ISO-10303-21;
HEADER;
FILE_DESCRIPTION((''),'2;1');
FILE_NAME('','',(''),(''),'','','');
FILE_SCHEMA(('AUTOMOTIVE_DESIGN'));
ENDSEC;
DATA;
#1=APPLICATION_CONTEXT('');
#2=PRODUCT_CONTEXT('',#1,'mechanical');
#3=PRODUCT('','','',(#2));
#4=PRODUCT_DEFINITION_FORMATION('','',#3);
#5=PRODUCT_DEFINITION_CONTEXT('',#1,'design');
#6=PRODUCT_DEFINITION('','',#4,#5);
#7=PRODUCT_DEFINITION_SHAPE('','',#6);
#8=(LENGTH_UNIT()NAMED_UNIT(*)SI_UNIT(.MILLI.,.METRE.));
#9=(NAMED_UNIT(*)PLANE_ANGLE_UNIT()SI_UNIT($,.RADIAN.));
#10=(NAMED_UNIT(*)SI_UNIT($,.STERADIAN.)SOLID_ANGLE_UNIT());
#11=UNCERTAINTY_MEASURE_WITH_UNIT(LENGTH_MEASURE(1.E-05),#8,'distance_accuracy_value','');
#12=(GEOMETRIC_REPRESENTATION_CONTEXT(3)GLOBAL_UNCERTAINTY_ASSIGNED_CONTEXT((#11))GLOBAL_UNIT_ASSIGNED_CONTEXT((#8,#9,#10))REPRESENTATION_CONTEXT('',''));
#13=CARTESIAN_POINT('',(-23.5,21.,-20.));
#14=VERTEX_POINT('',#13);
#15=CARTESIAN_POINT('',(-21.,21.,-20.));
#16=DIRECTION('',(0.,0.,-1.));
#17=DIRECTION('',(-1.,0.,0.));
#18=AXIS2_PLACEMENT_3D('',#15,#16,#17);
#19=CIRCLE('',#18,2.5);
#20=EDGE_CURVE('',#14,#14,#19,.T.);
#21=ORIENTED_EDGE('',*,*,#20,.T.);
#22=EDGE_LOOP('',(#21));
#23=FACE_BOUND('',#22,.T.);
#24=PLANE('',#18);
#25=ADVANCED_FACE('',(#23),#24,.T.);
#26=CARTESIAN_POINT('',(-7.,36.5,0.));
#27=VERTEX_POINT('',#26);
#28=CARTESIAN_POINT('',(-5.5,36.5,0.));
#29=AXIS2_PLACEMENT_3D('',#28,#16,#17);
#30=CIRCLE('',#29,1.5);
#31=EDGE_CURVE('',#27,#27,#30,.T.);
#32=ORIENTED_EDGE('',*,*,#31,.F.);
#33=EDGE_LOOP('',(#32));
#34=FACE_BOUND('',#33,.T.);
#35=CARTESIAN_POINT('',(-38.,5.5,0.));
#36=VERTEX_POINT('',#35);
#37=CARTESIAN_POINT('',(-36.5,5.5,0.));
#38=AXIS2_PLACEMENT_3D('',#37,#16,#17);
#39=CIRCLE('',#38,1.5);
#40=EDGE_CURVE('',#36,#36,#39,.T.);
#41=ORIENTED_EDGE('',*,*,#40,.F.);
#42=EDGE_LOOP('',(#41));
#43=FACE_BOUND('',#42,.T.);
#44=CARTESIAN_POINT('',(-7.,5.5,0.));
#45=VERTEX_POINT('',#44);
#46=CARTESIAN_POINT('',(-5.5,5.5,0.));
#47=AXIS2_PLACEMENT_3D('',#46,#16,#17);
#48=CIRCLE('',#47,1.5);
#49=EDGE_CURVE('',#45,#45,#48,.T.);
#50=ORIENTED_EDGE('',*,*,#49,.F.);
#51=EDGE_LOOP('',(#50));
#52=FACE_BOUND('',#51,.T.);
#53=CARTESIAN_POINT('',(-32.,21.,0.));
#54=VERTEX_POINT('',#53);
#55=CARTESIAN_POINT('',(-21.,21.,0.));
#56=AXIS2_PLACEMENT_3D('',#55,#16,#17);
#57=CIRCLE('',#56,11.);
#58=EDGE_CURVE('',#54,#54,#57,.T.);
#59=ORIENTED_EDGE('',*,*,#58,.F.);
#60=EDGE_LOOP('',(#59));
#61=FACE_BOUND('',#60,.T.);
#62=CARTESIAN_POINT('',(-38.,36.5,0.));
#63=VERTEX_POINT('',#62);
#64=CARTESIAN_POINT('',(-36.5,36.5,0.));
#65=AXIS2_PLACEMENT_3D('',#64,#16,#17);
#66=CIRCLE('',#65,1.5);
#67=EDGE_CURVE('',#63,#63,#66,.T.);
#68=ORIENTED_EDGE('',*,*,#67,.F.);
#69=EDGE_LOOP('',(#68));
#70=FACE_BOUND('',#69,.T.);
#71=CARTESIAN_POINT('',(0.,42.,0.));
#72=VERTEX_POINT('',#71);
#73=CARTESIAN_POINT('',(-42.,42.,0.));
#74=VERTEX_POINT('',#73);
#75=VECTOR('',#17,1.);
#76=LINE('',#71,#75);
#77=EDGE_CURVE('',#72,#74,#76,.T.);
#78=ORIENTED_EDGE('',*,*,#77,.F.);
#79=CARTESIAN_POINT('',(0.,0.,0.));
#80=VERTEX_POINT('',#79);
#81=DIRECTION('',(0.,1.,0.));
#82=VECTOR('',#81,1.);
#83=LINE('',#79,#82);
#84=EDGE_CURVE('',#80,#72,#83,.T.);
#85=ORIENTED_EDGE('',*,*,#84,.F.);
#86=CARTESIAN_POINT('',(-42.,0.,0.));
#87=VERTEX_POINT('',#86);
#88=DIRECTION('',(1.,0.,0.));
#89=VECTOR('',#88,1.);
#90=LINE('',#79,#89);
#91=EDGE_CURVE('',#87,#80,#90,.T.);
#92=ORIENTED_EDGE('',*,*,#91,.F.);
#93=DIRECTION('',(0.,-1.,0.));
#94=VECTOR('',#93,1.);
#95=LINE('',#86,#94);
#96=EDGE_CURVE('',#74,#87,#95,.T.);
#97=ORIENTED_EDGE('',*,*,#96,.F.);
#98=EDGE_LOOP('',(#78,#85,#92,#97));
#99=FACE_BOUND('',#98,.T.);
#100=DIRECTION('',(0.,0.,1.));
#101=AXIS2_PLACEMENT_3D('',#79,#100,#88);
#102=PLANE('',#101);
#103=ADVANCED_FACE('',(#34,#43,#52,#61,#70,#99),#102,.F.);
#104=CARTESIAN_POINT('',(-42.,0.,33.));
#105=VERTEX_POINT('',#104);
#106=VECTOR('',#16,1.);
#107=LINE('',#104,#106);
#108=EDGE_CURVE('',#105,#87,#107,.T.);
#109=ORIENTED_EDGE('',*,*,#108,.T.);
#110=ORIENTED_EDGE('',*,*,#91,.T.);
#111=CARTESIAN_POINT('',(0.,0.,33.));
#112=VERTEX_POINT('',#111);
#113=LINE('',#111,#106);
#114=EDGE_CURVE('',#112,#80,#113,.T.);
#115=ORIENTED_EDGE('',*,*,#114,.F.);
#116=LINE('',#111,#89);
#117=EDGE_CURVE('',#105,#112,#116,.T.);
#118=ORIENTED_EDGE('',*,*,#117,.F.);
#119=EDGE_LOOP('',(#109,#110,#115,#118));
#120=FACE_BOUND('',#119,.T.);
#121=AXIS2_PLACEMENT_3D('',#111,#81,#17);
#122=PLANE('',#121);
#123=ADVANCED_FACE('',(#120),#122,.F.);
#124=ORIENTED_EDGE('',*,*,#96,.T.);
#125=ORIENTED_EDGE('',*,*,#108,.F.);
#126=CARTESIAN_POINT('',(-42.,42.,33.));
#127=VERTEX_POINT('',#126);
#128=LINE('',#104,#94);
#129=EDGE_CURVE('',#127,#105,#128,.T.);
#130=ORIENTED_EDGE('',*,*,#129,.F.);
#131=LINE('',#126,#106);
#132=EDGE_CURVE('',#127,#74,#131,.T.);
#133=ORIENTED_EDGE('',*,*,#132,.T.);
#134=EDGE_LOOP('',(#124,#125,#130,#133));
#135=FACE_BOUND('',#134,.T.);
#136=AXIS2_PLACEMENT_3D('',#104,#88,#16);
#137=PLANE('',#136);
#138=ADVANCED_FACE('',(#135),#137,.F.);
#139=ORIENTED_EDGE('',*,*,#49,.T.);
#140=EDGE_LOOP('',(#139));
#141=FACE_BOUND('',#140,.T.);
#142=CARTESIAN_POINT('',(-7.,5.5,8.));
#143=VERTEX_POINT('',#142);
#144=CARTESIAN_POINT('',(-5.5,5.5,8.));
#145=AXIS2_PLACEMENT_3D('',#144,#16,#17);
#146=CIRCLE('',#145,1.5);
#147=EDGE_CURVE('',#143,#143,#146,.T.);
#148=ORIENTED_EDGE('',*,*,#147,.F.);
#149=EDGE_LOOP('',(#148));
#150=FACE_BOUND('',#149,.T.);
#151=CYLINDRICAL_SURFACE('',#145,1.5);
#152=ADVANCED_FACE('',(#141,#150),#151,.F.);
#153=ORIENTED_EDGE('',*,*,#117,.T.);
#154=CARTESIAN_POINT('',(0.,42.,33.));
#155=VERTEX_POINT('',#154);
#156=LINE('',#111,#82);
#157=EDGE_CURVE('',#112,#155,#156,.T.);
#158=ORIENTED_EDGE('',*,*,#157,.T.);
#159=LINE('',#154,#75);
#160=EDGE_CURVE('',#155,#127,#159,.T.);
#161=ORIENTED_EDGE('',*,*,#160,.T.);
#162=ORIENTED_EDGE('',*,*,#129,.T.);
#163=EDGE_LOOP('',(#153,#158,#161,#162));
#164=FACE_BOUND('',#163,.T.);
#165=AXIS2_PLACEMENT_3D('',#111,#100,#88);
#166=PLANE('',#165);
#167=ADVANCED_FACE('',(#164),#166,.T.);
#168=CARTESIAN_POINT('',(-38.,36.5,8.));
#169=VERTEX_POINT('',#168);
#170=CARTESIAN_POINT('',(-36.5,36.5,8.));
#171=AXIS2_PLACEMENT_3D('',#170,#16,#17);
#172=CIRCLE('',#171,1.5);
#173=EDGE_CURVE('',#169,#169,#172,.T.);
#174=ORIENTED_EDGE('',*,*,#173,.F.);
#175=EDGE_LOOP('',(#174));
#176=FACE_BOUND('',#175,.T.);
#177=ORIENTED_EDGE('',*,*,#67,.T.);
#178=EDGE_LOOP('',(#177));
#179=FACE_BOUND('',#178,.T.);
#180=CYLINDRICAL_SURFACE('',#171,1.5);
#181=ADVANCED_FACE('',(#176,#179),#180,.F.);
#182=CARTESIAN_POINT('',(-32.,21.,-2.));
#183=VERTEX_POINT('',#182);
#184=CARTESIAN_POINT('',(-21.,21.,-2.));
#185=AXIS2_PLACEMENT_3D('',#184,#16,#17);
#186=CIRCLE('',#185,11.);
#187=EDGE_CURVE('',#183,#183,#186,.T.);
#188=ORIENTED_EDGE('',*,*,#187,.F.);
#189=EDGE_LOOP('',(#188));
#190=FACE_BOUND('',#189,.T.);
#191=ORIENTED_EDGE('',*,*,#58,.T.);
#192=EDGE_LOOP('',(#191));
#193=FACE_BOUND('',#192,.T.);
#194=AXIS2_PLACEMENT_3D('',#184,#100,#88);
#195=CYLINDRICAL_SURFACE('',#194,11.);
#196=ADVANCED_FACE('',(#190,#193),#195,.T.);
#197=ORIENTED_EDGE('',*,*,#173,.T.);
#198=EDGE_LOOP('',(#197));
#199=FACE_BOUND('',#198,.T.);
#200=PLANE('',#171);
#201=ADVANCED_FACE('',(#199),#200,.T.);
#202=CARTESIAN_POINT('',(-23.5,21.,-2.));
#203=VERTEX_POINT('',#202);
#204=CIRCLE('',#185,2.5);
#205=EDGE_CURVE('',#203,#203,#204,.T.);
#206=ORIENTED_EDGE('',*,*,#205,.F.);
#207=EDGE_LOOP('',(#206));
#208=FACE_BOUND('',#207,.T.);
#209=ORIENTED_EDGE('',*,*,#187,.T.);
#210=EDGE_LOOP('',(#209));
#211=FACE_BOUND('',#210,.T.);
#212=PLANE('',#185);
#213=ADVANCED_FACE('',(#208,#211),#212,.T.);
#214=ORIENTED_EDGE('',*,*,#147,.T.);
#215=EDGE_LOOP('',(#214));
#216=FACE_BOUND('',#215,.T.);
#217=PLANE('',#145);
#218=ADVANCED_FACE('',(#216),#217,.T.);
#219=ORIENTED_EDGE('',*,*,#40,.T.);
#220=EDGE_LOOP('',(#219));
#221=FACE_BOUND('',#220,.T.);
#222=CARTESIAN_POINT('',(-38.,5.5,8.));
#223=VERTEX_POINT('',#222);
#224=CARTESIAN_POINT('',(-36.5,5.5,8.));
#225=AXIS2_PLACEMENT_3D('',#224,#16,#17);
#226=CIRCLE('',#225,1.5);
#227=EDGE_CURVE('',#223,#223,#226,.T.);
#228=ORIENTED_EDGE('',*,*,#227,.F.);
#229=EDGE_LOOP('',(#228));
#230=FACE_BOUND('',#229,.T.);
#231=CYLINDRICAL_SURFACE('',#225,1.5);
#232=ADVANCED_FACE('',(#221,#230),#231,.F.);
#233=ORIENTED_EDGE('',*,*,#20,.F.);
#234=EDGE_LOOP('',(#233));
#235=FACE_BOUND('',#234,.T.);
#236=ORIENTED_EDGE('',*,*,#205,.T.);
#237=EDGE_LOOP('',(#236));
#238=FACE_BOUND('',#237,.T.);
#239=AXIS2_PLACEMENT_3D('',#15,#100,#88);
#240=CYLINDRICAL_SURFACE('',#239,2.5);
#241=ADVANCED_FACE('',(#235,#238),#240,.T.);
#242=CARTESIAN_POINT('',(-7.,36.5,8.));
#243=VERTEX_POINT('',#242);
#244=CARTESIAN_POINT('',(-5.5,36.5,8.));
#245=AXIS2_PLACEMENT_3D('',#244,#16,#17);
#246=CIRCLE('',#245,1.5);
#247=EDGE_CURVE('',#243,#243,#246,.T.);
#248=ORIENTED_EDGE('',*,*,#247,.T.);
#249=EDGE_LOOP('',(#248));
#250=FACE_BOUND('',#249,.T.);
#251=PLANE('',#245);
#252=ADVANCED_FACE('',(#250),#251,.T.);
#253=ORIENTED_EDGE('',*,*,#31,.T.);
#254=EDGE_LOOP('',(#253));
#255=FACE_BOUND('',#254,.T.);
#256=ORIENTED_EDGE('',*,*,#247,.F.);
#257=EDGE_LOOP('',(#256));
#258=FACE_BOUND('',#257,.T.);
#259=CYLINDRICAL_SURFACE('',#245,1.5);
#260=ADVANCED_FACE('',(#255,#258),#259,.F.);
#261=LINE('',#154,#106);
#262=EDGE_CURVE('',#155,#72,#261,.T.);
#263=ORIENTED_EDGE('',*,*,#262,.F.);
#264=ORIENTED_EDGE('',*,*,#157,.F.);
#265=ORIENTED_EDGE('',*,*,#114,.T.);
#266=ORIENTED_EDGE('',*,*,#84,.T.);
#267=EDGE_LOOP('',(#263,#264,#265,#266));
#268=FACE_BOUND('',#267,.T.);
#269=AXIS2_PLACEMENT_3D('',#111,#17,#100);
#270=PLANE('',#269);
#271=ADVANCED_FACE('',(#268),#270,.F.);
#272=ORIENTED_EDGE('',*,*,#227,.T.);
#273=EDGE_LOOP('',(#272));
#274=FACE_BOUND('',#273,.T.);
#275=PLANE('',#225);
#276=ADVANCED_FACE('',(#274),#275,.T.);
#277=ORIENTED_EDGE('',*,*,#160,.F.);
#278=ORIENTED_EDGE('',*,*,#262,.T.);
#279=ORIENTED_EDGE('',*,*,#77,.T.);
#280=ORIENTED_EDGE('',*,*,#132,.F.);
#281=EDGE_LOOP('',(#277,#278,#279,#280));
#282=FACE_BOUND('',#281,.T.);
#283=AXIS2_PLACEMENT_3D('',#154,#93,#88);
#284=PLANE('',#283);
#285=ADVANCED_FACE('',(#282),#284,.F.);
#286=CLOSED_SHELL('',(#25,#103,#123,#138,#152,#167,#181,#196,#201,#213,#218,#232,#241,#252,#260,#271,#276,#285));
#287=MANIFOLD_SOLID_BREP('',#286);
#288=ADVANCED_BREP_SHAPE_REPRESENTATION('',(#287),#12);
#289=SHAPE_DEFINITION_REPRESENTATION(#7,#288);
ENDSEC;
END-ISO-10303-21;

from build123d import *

# Parameters (mm, degrees)
SKETCH_1_W          = 42
SKETCH_1_H          = 42
EXTRUDE_1_DEPTH     = 33
SKETCH_3_R          = 11
EXTRUDE_2_DEPTH     = 2
SKETCH_4_R          = 2.5
EXTRUDE_3_DEPTH     = 18
SKETCH_5_R          = 1.5
CUT_EXTRUDE_1_DEPTH = 8


with BuildPart() as part:
    # 草图1 → 凸台-拉伸1 (new body)
    with BuildSketch(Plane.XY):
        with Locations((-21, 21)):
            Rectangle(SKETCH_1_W, SKETCH_1_H)
    extrude(amount=EXTRUDE_1_DEPTH)

    # 草图3 → 凸台-拉伸2 (add)
    with BuildSketch(Plane(origin=(0, 0, 0), x_dir=(-1, 0, 0), z_dir=(0, 0, -1))):
        with Locations((21, 21)):
            Circle(SKETCH_3_R)
    extrude(amount=EXTRUDE_2_DEPTH)

    # 草图4 → 凸台-拉伸3 (add)
    with BuildSketch(Plane(origin=(0, 0, -2), x_dir=(-1, 0, 0), z_dir=(0, 0, -1))):
        with Locations((21, 21)):
            Circle(SKETCH_4_R)
    extrude(amount=EXTRUDE_3_DEPTH)

    # 草图5 → 切除-拉伸1 (cut)
    with BuildSketch(Plane(origin=(0, 0, 0), x_dir=(-1, 0, 0), z_dir=(0, 0, -1))):
        with Locations((5.5, 5.5)):
            Circle(SKETCH_5_R)
        with Locations((36.5, 5.5)):
            Circle(SKETCH_5_R)
        with Locations((36.5, 36.5)):
            Circle(SKETCH_5_R)
        with Locations((5.5, 36.5)):
            Circle(SKETCH_5_R)
    extrude(amount=-CUT_EXTRUDE_1_DEPTH, mode=Mode.SUBTRACT)


solid = part.part
